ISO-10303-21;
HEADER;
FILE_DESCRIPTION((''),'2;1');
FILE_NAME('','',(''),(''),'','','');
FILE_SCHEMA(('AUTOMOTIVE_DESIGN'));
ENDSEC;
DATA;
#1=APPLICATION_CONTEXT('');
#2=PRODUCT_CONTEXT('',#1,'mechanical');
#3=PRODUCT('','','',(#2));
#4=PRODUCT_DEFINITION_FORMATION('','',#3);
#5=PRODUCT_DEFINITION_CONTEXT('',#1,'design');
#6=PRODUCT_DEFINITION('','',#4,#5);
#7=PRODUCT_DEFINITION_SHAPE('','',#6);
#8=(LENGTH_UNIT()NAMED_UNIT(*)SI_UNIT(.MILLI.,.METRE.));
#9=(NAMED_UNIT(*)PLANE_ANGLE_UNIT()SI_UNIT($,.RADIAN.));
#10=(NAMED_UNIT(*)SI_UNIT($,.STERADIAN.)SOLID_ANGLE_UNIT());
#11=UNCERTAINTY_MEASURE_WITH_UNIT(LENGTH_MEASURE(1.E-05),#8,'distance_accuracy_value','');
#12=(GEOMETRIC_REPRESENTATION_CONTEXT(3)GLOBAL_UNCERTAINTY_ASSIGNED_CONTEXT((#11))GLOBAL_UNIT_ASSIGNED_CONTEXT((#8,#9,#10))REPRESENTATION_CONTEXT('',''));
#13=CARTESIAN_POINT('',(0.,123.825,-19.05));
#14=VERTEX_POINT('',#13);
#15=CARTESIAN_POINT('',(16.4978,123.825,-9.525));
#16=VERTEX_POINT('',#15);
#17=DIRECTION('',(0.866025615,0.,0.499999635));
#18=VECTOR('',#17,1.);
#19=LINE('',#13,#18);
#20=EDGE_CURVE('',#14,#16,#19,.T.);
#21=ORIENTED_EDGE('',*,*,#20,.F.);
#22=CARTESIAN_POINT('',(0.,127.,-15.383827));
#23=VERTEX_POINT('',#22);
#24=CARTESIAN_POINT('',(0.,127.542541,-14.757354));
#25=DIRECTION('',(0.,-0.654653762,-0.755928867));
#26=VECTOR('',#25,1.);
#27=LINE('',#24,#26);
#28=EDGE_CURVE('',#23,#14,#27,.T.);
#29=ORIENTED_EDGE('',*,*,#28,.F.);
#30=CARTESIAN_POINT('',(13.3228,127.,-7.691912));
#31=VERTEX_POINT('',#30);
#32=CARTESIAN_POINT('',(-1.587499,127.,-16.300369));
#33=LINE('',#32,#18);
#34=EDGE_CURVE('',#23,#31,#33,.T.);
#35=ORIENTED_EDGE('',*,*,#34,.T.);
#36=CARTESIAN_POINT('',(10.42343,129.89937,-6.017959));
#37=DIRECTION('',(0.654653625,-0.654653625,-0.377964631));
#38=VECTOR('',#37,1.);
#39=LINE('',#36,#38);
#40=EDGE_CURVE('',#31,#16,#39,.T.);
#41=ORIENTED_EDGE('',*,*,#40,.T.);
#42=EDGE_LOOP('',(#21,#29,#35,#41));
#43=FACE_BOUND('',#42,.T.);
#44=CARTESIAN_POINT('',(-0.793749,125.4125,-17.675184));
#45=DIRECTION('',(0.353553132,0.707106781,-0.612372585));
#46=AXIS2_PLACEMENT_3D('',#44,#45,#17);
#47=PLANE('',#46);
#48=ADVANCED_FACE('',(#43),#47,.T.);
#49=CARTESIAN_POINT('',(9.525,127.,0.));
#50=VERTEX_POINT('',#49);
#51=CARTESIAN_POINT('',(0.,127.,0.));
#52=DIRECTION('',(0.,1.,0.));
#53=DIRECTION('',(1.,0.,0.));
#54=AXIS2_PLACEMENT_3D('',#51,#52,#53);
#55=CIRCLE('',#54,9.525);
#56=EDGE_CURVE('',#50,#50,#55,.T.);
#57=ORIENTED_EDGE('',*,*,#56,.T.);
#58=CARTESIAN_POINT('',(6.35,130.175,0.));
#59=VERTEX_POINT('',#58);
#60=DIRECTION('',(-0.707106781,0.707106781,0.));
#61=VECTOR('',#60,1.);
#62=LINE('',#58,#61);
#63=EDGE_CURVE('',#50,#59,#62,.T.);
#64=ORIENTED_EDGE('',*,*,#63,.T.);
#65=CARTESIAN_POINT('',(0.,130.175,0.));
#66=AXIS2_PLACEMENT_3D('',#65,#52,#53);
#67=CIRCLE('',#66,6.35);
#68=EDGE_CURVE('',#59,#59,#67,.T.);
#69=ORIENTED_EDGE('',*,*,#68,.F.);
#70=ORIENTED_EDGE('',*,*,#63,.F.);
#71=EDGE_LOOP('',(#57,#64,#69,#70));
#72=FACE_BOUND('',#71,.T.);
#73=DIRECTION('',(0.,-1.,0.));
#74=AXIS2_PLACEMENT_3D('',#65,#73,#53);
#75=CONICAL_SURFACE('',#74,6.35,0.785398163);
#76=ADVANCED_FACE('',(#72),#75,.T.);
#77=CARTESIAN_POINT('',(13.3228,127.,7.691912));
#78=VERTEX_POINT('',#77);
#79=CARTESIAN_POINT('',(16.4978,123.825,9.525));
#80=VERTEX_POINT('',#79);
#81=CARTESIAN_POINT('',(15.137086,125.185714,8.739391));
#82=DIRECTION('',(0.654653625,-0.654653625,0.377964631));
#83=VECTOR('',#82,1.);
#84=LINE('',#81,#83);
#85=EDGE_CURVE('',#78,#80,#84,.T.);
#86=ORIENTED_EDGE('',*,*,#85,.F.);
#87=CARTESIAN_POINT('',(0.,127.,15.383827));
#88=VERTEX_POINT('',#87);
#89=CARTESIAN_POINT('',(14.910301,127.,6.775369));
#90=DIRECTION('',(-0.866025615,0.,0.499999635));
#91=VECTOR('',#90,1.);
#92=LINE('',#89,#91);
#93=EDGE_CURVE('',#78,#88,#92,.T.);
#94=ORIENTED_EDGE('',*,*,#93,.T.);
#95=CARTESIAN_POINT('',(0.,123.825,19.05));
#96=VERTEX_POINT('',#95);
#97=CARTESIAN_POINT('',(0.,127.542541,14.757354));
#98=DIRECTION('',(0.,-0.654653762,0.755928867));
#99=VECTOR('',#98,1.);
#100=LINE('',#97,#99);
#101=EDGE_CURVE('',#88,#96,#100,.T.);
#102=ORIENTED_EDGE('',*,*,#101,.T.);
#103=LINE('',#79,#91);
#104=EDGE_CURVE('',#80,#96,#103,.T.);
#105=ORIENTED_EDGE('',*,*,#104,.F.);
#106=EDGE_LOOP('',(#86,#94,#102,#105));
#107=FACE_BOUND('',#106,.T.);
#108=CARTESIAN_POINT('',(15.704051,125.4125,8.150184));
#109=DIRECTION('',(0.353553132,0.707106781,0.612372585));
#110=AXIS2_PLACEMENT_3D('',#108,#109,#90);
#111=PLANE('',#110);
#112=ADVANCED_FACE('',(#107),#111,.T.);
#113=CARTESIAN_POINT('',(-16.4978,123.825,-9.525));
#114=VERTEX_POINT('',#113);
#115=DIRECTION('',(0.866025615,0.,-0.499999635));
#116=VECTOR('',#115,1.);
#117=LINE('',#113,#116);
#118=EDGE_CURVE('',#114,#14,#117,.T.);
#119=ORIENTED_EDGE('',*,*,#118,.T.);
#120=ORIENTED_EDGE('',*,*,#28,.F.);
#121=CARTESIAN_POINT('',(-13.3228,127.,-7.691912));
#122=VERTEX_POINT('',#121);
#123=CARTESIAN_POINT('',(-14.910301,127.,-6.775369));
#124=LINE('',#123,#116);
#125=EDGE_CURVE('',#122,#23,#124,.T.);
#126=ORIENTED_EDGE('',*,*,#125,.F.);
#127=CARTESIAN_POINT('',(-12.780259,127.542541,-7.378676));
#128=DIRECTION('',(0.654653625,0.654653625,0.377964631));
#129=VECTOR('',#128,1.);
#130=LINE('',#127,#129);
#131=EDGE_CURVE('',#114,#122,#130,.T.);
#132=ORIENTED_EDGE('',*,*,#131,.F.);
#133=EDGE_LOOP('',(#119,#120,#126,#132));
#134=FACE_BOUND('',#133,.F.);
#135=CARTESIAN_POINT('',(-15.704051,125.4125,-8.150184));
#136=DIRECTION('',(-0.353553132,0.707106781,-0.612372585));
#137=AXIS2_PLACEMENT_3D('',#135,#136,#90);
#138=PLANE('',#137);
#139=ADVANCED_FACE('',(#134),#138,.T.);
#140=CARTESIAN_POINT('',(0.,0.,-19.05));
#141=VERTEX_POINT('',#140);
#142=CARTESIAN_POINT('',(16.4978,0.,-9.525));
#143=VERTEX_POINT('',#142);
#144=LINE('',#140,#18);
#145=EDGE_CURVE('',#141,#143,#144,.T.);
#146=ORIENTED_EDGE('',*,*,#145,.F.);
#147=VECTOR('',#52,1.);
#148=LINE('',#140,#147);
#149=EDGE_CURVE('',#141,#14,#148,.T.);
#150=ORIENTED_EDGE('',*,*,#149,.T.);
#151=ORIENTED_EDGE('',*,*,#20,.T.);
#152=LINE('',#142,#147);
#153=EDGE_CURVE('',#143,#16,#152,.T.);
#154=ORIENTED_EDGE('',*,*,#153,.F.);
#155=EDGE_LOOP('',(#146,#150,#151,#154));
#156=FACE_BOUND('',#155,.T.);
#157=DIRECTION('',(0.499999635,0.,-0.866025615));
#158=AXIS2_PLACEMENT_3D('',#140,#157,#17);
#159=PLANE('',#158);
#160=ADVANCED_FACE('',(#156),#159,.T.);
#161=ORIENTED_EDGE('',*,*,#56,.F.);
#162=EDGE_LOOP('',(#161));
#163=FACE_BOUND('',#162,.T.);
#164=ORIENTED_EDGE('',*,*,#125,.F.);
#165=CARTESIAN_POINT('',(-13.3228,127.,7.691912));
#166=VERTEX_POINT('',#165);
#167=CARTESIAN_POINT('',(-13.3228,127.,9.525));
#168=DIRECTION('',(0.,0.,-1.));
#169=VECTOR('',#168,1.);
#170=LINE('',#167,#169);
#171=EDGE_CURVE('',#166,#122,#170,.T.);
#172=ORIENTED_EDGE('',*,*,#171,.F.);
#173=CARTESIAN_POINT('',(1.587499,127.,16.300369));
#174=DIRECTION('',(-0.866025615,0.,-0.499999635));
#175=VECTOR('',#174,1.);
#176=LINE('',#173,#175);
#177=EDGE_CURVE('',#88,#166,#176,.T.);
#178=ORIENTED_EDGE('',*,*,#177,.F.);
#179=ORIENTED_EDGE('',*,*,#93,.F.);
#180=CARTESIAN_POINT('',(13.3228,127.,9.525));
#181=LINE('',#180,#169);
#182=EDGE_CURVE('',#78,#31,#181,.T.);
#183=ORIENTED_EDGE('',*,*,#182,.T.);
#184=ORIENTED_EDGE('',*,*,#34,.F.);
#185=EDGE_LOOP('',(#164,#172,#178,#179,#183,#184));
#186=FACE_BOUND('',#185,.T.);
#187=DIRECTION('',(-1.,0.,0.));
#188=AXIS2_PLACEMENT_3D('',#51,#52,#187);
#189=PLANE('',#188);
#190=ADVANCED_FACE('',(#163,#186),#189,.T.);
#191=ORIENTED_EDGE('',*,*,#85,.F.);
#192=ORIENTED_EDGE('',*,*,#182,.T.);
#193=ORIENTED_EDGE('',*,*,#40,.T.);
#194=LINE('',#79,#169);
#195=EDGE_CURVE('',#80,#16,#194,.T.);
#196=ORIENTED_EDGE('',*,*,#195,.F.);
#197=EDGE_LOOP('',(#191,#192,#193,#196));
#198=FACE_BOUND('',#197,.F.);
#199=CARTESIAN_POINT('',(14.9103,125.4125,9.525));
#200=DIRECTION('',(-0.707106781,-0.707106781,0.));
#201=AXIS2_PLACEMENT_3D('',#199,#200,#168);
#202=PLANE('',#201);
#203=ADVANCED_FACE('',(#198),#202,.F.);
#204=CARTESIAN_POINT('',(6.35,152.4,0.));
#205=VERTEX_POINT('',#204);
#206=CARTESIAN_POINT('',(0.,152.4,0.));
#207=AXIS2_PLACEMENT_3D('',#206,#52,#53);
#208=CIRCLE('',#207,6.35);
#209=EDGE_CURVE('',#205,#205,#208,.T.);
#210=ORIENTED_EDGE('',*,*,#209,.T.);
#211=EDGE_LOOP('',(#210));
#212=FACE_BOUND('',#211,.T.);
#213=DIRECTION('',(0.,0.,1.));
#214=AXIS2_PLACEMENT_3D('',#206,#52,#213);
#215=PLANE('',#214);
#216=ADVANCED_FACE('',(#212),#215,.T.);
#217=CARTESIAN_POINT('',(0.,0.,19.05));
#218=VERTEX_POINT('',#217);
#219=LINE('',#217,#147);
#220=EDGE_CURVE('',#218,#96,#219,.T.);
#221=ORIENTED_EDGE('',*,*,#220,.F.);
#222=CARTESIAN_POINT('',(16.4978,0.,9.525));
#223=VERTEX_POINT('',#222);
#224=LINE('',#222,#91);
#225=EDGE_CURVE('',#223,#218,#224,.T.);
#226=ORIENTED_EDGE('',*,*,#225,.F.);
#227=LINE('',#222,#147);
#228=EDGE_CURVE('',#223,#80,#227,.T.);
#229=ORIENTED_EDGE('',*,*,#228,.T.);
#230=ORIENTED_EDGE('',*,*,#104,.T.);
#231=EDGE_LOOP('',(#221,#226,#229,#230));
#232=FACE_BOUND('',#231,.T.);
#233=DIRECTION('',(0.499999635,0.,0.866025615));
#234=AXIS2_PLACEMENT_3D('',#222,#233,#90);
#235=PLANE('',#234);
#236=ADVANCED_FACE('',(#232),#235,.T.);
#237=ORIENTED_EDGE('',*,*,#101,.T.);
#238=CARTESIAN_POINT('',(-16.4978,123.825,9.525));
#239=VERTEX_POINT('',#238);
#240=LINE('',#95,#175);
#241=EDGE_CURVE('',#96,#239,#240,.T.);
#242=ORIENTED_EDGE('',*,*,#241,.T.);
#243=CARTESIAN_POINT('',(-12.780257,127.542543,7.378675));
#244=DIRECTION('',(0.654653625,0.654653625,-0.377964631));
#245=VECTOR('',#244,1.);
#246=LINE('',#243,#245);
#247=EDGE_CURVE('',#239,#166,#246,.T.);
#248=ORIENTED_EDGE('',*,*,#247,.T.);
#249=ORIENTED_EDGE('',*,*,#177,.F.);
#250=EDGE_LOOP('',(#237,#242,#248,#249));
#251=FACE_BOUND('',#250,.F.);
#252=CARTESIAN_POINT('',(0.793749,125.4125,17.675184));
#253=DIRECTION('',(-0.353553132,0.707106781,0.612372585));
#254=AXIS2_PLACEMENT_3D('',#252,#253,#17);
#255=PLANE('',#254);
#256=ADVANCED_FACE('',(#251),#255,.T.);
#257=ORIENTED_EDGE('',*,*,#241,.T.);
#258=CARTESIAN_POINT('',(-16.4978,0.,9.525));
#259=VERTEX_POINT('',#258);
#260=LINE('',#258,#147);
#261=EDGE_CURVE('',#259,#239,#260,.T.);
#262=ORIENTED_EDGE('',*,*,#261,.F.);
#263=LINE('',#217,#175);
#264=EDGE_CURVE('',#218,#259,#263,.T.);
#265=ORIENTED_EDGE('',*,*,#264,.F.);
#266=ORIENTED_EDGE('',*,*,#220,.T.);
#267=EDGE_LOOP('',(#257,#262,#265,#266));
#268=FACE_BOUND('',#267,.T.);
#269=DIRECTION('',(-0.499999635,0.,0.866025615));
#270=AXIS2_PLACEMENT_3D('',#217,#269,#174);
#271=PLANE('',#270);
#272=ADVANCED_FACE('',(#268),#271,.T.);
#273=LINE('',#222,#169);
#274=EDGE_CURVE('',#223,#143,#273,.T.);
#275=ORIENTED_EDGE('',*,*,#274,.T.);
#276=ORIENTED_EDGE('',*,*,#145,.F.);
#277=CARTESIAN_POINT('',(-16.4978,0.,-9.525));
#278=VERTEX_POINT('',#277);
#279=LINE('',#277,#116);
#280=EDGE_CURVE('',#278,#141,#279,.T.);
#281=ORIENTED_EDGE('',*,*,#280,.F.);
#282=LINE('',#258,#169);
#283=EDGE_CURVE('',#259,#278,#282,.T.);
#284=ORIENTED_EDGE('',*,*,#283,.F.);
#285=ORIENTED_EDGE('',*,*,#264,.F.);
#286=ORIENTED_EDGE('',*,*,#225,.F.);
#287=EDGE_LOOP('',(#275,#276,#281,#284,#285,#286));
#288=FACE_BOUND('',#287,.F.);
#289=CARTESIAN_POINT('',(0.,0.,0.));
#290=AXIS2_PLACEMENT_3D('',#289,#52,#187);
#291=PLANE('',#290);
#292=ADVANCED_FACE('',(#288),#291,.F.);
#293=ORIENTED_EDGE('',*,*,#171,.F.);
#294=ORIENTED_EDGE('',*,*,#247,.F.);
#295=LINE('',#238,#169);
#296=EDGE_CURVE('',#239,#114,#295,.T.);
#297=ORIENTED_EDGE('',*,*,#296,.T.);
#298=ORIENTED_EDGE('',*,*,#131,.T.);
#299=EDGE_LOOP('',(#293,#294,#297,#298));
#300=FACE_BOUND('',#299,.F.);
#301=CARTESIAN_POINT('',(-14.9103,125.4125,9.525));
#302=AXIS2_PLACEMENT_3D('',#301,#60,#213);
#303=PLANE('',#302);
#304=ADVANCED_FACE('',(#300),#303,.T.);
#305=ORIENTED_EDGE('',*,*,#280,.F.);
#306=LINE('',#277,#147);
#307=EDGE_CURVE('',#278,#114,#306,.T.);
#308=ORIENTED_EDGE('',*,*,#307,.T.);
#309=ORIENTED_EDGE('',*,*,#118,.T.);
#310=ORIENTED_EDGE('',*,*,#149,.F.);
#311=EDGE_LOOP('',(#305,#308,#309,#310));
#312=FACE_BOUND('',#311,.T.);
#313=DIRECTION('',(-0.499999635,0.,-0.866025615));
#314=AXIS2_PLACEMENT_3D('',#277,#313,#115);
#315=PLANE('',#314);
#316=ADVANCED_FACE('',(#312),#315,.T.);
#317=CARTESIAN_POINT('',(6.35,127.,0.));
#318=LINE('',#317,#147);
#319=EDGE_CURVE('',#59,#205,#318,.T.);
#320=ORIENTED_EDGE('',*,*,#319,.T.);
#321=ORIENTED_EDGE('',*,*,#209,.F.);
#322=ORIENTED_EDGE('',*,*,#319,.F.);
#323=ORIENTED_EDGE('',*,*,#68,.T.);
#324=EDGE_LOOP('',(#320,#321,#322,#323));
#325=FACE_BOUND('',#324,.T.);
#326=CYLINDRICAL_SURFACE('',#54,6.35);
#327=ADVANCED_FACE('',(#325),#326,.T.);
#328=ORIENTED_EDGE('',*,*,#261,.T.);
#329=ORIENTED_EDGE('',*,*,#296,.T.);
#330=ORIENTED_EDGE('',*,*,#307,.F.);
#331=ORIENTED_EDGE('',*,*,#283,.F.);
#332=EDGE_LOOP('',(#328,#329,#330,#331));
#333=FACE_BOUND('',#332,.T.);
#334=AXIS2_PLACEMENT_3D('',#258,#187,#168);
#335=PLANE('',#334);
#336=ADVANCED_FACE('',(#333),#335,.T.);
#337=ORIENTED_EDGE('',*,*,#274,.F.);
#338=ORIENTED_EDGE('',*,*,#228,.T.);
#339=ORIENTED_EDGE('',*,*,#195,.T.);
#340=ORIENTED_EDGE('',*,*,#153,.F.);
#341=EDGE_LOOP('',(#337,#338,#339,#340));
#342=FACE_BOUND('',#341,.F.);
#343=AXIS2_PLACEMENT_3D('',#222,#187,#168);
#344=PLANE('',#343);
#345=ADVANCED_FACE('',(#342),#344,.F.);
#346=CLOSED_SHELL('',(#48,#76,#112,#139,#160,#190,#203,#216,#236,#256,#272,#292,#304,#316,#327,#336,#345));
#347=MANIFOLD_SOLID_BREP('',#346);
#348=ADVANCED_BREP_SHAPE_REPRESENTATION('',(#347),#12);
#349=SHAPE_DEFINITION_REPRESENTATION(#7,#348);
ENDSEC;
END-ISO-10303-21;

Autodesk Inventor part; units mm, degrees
ref_plane "YZ Plane" through (0, 0, 0) normal (1, 0, 0) x (0, 1, 0)
ref_plane "XZ Plane" through (0, 0, 0) normal (0, 1, 0) x (-1, 0, 0)
sketch "Sketch1" plane through (0, 0, 0) normal (0, 1, 0) x (-1, 0, 0)
  line L0 (16.4978, 9.525) -> (16.4978, -9.525)
  line L1 (16.4978, -9.525) -> (0, -19.05)
  line L2 (0, -19.05) -> (-16.4978, -9.525)
  line L3 (-16.4978, 9.525) -> (-16.4978, -9.525)
  line L4 (-16.4978, 9.525) -> (0, 19.05)
  line L5 (0, 19.05) -> (16.4978, 9.525)
  circle A0 centre (0, 0) radius 19.05 construction
  line L6 (0, 25.4) -> (0, -25.4) construction
  circle A1 centre (0, 0) radius 6.35
  dimension "d0" = 38.1
  dimension "d8" = 12.7
extrude "Hexagon1" add sketch "Sketch1" along normal blind 127 contours L0 L1 L2 L3 L4 L5 | A1
sketch "Sketch2" plane through (0, 127, 0) normal (0, 1, 0) x (1, 0, 0)
  circle A0 centre (0, 0) radius 6.35
  line L0 (0, 0) -> (25.4, 0) construction
  dimension "d3" = 12.7
ref_plane "Work Plane2" through (0, 127, 0) normal (1, 0, 0) x (0, 0, -1)
sketch "Sketch5" plane through (0, 127, 0) normal (1, 0, 0) x (0, 0, -1)
  line L0 (9.525, 0) -> (-9.525, 0) projected
  line L1 (0, 0) -> (0, 25.4)
  point P0 (0, -127)
  dimension "d9" = 25.4
sweep "Sweep1" add profiles "Sketch2" path "Sketch5" path curves L1
chamfer "Chamfer1" distance 3.175 angle 45 7 edges at (8.2489, 127, -14.2875) (-6.35, 127, 0) (16.4978, 127, 0) (8.2489, 127, 14.2875) (-8.2489, 127, -14.2875) (-16.4978, 127, 0) (-8.2489, 127, 14.2875)
properties part number "HexShaft1"
